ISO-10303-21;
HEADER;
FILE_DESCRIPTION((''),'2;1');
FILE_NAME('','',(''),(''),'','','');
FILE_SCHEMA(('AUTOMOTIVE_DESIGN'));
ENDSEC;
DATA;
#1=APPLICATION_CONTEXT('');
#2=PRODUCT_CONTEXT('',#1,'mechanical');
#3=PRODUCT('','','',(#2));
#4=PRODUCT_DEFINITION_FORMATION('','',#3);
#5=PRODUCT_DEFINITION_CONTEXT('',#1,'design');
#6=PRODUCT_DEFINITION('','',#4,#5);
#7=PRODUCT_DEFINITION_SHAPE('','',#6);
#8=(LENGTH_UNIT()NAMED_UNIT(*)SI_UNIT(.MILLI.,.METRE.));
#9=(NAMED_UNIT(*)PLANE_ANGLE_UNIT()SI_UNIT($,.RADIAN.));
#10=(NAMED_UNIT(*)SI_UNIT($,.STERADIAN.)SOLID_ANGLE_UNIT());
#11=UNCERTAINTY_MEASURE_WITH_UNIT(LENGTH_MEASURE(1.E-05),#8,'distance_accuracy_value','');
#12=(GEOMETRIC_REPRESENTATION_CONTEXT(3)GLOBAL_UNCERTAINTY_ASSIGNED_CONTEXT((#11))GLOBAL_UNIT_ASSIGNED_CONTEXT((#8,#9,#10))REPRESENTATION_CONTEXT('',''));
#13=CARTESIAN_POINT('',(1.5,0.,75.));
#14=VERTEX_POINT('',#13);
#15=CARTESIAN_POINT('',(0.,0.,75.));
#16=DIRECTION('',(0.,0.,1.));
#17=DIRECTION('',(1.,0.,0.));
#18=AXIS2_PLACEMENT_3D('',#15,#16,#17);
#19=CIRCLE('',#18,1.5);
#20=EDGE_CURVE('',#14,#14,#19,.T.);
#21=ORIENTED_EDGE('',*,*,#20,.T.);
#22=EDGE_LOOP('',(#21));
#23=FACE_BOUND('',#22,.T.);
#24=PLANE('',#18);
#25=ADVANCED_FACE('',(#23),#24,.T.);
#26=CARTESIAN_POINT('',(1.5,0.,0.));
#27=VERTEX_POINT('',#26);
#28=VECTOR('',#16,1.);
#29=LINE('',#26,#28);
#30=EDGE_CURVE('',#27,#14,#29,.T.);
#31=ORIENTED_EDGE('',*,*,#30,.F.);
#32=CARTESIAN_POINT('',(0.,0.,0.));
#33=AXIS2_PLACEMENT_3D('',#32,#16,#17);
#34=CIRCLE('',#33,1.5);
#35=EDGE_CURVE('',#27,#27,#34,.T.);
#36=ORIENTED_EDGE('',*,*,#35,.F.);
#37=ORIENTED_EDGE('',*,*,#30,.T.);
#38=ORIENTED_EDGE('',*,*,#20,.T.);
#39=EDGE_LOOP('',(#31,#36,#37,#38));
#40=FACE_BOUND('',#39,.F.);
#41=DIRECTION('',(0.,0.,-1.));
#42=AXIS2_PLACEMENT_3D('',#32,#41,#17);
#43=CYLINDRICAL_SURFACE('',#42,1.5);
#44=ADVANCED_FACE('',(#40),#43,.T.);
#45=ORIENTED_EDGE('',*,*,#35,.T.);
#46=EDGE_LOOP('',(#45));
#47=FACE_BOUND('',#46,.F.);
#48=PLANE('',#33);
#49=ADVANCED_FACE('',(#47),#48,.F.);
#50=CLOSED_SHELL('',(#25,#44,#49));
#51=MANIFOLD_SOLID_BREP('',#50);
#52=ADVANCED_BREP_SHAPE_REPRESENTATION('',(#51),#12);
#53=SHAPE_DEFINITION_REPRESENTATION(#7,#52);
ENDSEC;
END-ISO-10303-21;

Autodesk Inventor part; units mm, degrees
ref_plane "YZ Plane" through (0, 0, 0) normal (1, 0, 0) x (0, 1, 0)
ref_plane "XZ Plane" through (0, 0, 0) normal (0, 1, 0) x (-1, 0, 0)
ref_plane "XY Plane" through (0, 0, 0) normal (0, 0, 1) x (1, 0, 0)
sketch "スケッチ1" plane through (0, 0, 0) normal (0, 0, 1) x (1, 0, 0)
  circle A0 centre (0, 0) radius 1.5
  dimension "d0" = 3
extrude "押し出し1" add sketch "スケッチ1" along normal blind 75
properties part number "Shaft 80mm" material "ステンレス鋼 AISI 440C、溶接"
